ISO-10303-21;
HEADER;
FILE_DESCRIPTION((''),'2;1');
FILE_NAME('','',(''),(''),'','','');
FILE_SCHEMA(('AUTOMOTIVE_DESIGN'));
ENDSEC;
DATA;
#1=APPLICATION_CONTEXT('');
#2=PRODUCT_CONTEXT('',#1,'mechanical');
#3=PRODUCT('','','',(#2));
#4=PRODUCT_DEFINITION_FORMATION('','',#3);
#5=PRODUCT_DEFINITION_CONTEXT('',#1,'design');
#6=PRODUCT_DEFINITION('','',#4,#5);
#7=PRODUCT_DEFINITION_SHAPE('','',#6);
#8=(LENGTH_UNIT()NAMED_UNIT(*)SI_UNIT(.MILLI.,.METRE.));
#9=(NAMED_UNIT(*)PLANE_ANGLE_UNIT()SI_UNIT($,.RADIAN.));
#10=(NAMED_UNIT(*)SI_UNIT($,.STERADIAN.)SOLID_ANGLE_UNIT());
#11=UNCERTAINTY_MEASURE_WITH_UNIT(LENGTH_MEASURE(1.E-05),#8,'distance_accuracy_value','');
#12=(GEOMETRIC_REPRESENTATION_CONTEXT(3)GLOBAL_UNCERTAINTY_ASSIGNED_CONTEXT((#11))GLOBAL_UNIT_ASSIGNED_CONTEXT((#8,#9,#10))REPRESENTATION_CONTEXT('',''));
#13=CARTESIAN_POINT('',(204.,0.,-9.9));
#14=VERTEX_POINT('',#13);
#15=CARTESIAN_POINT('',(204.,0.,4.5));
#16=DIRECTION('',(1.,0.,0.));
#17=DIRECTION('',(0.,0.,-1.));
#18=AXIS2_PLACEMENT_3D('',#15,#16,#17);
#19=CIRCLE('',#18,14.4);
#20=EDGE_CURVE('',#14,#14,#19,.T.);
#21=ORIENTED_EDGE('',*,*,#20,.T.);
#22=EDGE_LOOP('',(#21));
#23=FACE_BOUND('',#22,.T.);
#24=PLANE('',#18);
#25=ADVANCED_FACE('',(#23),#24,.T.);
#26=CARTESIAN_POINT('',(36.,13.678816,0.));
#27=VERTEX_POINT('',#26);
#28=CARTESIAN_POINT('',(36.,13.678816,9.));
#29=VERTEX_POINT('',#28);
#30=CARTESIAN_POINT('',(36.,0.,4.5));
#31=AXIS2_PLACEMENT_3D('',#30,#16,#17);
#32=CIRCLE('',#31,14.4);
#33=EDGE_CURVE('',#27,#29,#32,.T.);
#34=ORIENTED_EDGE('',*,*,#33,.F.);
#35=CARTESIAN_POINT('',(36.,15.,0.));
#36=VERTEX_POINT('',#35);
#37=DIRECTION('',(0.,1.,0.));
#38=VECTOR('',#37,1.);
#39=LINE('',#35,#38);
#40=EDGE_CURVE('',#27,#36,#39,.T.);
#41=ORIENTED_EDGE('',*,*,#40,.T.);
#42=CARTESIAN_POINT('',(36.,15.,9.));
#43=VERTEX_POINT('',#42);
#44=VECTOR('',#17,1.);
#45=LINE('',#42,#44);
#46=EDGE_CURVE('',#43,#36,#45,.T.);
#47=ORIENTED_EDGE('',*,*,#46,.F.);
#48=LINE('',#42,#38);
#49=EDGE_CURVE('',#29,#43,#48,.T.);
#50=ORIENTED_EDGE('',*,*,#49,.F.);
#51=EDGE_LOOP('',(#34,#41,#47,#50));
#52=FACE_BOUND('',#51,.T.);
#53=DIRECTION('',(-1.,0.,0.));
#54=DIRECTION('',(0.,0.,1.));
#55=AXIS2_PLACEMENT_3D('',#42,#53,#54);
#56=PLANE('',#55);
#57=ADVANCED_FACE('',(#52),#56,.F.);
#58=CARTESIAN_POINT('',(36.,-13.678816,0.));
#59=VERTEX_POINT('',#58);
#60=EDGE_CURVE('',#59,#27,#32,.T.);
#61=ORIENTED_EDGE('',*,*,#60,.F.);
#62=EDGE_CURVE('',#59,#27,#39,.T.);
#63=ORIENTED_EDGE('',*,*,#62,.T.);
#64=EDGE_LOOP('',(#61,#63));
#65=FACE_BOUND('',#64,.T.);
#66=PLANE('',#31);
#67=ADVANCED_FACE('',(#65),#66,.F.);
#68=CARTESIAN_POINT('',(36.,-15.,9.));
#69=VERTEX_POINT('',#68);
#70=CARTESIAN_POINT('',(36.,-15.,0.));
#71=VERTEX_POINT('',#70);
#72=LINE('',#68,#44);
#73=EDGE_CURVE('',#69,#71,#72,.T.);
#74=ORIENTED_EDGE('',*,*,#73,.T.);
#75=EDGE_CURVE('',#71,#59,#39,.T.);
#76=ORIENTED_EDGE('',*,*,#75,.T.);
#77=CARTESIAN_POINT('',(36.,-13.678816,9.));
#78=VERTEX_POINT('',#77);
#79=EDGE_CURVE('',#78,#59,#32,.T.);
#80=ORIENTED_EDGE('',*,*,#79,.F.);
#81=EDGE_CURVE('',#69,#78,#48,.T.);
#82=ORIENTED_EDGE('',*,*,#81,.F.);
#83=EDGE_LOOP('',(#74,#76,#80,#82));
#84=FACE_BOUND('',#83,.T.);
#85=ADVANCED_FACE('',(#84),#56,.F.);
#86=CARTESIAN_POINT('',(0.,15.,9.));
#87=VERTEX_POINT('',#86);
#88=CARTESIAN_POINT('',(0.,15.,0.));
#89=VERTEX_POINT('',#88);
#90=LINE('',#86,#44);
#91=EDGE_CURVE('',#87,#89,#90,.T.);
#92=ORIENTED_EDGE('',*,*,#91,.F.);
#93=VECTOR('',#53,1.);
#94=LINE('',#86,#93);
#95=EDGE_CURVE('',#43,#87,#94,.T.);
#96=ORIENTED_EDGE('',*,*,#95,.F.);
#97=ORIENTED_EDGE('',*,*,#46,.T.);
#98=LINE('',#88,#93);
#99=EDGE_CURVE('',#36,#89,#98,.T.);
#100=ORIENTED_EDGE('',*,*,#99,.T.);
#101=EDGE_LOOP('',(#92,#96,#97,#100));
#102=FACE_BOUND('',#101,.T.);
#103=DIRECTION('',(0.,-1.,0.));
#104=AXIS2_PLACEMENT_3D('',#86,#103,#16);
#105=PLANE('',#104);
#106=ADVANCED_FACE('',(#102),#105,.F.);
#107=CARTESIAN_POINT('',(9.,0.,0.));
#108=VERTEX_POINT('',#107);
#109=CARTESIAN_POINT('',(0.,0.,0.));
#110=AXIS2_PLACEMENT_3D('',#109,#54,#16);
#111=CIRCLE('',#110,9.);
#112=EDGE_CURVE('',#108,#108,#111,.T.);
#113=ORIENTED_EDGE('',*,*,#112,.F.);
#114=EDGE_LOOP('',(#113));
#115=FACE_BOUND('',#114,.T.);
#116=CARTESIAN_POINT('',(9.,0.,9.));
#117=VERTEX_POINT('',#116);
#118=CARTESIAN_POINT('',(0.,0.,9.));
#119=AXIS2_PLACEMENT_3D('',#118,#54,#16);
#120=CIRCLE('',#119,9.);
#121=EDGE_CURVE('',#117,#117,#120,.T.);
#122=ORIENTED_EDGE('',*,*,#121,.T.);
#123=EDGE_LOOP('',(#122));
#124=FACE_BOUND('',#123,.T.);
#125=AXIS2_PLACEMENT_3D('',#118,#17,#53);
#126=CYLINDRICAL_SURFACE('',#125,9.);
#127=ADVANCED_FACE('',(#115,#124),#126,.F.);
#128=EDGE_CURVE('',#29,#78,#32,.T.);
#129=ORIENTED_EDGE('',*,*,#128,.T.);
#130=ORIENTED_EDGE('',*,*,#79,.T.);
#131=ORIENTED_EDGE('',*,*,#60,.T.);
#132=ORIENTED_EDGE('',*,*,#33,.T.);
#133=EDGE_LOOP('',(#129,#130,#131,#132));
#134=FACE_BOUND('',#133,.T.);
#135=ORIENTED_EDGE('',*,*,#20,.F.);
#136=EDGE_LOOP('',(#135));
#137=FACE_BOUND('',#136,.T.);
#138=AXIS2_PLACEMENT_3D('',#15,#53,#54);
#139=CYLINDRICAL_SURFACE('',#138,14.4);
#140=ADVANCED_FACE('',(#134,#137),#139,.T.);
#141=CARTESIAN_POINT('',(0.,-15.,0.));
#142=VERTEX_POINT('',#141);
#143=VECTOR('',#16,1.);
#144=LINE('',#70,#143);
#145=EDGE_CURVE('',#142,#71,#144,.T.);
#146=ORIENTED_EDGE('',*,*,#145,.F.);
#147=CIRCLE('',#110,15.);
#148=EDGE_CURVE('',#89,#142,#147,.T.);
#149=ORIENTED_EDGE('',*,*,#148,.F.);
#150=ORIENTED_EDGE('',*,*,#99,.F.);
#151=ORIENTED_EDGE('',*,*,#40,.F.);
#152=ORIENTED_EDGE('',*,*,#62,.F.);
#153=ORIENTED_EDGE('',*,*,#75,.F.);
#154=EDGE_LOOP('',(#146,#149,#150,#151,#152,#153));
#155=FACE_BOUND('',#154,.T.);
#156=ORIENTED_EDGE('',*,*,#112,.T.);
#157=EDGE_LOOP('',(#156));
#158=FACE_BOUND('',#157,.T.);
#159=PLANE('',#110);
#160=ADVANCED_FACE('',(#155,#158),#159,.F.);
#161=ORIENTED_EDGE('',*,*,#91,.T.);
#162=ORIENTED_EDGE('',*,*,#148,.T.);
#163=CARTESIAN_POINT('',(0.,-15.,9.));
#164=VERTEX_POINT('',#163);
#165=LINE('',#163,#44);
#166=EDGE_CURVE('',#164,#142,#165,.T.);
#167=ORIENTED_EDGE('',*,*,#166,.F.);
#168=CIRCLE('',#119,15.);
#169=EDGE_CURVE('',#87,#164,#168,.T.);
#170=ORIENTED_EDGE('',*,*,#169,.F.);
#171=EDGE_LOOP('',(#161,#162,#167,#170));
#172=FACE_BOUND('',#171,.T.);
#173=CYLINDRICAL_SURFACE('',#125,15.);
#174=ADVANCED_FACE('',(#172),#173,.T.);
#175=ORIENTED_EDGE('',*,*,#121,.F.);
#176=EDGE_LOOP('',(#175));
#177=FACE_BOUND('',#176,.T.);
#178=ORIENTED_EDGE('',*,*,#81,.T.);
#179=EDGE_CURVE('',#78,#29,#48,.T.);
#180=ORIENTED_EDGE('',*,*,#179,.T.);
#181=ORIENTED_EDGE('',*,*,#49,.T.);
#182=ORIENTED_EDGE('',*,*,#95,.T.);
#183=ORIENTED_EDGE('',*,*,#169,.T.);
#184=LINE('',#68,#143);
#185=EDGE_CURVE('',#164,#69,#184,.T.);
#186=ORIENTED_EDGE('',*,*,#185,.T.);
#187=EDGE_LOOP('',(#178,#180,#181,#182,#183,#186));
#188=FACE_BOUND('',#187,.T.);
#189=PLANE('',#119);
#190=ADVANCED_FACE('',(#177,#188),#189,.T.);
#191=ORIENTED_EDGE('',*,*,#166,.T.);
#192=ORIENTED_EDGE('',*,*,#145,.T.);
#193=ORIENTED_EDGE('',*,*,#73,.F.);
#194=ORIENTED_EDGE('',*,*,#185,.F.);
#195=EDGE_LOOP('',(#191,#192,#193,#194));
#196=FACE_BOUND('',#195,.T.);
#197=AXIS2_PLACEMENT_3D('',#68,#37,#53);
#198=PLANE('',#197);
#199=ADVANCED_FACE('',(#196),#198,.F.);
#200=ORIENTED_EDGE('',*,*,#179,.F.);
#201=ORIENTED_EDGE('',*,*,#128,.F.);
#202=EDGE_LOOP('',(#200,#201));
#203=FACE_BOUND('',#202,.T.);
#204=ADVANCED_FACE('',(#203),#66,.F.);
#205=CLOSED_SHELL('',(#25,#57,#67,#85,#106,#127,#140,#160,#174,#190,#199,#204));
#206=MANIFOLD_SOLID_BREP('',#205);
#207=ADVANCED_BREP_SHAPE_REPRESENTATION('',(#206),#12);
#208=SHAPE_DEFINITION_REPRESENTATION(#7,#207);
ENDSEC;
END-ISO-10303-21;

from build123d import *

# Parameters (mm, degrees)
SKETCH_1_R      = 15
EXTRUDE_1_DEPTH = 15
SKETCH_2_R      = 24
EXTRUDE_2_DEPTH = 280
SCALE_1_SCALE   = 0.6


with BuildPart() as part:
    # 草图1 → 凸台-拉伸1 (new body)
    with BuildSketch(Plane.XY):
        with BuildLine():
            Line((0, 25), (60, 25))
            Line((60, 25), (60, -25))
            Line((60, -25), (0, -25))
            ThreePointArc((0, -25), (-25, 0), (0, 25))
        make_face()
        Circle(SKETCH_1_R, mode=Mode.SUBTRACT)
    extrude(amount=EXTRUDE_1_DEPTH)

    # 草图2 → 凸台-拉伸2 (add)
    with BuildSketch(Plane(origin=(60, 0, 0), x_dir=(0, 0, -1), z_dir=(1, 0, 0))):
        with Locations(Location((-7.5, 0, 0), (0, 0, 108.209956864))):
            Circle(SKETCH_2_R)
    extrude(amount=EXTRUDE_2_DEPTH)


with BuildPart() as part_1:
    # 缩放比例1: scaled about (0, 0, 0)
    add(part.part.scale(SCALE_1_SCALE))


solid = part_1.part
